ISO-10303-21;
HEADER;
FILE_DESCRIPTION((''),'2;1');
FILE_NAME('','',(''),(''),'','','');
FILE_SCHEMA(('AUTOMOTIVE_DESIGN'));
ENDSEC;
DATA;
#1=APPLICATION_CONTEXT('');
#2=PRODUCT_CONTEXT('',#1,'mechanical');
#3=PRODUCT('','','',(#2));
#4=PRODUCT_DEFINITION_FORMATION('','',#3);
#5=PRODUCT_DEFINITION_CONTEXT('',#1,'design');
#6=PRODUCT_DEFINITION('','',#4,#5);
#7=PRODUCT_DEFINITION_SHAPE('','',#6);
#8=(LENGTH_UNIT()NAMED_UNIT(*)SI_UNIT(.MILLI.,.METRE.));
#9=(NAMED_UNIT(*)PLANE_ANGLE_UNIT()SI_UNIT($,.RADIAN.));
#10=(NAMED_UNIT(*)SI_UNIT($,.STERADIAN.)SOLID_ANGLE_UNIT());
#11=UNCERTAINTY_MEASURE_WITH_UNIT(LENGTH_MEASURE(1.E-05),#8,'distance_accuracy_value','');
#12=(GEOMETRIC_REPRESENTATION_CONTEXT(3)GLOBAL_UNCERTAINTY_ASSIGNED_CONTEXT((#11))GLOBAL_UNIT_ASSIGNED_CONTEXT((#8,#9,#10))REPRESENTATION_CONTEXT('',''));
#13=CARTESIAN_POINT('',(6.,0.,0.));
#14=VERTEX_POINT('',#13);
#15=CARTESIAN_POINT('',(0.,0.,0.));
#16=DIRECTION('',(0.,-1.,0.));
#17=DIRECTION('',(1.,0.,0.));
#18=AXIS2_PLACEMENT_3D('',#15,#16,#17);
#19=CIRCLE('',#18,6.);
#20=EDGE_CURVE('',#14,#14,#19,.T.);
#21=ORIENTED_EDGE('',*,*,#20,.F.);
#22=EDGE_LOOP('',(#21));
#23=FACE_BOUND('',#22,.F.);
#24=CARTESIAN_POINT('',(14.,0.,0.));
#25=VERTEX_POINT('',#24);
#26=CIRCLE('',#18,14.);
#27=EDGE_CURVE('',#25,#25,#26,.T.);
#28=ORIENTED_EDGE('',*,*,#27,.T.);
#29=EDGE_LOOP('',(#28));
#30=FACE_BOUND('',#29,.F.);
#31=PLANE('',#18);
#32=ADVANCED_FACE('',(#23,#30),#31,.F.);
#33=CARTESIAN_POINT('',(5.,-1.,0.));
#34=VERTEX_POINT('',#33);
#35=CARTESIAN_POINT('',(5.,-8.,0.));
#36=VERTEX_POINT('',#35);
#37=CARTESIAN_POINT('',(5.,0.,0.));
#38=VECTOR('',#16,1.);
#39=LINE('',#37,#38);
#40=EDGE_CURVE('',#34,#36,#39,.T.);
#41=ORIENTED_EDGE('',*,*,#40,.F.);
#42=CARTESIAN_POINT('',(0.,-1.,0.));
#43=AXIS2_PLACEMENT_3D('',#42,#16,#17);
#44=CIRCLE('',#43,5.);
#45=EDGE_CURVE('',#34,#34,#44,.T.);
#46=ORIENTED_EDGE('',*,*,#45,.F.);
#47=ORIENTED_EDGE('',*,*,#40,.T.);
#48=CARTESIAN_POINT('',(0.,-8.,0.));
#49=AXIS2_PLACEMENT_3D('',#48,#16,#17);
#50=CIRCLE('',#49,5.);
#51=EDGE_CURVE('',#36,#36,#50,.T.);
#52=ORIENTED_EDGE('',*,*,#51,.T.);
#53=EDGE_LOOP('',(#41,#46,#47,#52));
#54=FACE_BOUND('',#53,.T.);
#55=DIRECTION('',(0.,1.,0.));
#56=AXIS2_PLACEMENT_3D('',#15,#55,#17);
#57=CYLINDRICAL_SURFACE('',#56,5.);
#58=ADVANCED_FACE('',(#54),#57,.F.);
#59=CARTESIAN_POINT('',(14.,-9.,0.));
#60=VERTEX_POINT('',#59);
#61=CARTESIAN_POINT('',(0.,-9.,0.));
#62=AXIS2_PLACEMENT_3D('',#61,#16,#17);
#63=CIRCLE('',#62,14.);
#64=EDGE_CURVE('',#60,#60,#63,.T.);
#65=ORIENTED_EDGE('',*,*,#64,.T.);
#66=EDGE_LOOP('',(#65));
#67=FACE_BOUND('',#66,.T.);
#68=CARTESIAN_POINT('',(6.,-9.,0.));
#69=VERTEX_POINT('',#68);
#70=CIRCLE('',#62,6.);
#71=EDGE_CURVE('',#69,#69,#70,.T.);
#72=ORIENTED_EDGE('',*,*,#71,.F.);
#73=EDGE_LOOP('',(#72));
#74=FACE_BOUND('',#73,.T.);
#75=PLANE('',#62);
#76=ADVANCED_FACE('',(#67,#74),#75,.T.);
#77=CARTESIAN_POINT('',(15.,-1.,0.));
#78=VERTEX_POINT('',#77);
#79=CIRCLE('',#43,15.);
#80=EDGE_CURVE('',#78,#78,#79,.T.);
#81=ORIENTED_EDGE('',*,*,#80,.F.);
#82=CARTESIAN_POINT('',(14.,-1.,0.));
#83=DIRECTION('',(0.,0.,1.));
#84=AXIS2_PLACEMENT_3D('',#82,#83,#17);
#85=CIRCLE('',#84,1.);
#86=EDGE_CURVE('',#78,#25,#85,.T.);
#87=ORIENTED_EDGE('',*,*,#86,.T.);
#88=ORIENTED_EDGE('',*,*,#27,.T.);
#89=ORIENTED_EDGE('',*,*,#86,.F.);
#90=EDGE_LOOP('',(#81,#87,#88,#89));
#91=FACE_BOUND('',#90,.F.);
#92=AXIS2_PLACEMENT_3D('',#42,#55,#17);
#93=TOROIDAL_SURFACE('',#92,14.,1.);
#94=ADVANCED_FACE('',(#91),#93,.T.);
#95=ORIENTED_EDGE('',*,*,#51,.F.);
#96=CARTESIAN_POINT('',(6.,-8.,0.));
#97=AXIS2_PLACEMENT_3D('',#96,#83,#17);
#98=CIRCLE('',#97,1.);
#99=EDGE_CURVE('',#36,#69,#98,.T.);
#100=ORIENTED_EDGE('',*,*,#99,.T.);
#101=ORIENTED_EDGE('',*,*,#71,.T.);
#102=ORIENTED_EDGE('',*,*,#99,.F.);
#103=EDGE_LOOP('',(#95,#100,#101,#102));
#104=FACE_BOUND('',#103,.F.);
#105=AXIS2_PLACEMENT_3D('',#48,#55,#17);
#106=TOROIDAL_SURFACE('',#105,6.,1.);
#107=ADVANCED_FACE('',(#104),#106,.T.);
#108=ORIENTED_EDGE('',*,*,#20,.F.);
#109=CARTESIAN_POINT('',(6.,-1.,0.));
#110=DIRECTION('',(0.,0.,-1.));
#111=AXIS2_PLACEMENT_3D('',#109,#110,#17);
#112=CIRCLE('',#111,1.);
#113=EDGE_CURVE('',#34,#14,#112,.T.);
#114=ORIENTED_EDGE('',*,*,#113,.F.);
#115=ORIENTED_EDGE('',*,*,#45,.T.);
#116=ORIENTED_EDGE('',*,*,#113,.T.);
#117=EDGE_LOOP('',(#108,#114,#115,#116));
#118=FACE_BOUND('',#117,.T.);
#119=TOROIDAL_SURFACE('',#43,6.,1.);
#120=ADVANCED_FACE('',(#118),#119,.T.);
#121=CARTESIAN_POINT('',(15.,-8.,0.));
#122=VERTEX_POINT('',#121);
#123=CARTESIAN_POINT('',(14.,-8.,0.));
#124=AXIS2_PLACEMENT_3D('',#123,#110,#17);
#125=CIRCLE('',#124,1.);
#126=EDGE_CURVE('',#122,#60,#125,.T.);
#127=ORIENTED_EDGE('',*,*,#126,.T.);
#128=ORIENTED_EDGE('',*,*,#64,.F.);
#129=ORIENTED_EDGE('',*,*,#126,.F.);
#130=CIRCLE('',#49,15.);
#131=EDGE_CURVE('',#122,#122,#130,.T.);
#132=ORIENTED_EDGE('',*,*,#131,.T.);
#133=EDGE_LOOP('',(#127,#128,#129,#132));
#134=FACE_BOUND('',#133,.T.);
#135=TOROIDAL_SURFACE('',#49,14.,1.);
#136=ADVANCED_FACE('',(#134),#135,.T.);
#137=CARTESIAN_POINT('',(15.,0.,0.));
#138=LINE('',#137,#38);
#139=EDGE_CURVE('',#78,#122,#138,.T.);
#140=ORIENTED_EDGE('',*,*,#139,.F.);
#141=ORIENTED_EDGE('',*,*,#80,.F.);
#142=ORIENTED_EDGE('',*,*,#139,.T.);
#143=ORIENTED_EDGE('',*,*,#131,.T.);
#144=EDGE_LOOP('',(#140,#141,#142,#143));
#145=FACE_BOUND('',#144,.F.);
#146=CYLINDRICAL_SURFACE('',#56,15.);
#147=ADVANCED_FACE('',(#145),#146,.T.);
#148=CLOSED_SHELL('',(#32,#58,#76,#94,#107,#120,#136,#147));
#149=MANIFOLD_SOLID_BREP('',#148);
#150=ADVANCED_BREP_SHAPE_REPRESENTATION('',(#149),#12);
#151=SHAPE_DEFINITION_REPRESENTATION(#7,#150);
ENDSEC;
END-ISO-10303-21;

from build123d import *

# Parameters (mm, degrees)
F0_R     = 15
F0_R_2   = 5
F1_DEPTH = 9
F2_R     = 1


with BuildPart() as f1:
    # F0 (on Front) → F1 (new body)
    with BuildSketch(Plane.XZ):
        Circle(F0_R)
        Circle(F0_R_2, mode=Mode.SUBTRACT)
    extrude(amount=F1_DEPTH)

    # F2
    f2_edges = [f1.edges().sort_by_distance(p)[0] for p in [
        (15, -4.5, 0),
        (-15, 0, 0),
        (-15, -9, 0),
        (5, -4.5, 0),
        (-5, 0, 0),
        (-5, -9, 0),
    ]]
    fillet(f2_edges, radius=F2_R)


solid = f1.part
